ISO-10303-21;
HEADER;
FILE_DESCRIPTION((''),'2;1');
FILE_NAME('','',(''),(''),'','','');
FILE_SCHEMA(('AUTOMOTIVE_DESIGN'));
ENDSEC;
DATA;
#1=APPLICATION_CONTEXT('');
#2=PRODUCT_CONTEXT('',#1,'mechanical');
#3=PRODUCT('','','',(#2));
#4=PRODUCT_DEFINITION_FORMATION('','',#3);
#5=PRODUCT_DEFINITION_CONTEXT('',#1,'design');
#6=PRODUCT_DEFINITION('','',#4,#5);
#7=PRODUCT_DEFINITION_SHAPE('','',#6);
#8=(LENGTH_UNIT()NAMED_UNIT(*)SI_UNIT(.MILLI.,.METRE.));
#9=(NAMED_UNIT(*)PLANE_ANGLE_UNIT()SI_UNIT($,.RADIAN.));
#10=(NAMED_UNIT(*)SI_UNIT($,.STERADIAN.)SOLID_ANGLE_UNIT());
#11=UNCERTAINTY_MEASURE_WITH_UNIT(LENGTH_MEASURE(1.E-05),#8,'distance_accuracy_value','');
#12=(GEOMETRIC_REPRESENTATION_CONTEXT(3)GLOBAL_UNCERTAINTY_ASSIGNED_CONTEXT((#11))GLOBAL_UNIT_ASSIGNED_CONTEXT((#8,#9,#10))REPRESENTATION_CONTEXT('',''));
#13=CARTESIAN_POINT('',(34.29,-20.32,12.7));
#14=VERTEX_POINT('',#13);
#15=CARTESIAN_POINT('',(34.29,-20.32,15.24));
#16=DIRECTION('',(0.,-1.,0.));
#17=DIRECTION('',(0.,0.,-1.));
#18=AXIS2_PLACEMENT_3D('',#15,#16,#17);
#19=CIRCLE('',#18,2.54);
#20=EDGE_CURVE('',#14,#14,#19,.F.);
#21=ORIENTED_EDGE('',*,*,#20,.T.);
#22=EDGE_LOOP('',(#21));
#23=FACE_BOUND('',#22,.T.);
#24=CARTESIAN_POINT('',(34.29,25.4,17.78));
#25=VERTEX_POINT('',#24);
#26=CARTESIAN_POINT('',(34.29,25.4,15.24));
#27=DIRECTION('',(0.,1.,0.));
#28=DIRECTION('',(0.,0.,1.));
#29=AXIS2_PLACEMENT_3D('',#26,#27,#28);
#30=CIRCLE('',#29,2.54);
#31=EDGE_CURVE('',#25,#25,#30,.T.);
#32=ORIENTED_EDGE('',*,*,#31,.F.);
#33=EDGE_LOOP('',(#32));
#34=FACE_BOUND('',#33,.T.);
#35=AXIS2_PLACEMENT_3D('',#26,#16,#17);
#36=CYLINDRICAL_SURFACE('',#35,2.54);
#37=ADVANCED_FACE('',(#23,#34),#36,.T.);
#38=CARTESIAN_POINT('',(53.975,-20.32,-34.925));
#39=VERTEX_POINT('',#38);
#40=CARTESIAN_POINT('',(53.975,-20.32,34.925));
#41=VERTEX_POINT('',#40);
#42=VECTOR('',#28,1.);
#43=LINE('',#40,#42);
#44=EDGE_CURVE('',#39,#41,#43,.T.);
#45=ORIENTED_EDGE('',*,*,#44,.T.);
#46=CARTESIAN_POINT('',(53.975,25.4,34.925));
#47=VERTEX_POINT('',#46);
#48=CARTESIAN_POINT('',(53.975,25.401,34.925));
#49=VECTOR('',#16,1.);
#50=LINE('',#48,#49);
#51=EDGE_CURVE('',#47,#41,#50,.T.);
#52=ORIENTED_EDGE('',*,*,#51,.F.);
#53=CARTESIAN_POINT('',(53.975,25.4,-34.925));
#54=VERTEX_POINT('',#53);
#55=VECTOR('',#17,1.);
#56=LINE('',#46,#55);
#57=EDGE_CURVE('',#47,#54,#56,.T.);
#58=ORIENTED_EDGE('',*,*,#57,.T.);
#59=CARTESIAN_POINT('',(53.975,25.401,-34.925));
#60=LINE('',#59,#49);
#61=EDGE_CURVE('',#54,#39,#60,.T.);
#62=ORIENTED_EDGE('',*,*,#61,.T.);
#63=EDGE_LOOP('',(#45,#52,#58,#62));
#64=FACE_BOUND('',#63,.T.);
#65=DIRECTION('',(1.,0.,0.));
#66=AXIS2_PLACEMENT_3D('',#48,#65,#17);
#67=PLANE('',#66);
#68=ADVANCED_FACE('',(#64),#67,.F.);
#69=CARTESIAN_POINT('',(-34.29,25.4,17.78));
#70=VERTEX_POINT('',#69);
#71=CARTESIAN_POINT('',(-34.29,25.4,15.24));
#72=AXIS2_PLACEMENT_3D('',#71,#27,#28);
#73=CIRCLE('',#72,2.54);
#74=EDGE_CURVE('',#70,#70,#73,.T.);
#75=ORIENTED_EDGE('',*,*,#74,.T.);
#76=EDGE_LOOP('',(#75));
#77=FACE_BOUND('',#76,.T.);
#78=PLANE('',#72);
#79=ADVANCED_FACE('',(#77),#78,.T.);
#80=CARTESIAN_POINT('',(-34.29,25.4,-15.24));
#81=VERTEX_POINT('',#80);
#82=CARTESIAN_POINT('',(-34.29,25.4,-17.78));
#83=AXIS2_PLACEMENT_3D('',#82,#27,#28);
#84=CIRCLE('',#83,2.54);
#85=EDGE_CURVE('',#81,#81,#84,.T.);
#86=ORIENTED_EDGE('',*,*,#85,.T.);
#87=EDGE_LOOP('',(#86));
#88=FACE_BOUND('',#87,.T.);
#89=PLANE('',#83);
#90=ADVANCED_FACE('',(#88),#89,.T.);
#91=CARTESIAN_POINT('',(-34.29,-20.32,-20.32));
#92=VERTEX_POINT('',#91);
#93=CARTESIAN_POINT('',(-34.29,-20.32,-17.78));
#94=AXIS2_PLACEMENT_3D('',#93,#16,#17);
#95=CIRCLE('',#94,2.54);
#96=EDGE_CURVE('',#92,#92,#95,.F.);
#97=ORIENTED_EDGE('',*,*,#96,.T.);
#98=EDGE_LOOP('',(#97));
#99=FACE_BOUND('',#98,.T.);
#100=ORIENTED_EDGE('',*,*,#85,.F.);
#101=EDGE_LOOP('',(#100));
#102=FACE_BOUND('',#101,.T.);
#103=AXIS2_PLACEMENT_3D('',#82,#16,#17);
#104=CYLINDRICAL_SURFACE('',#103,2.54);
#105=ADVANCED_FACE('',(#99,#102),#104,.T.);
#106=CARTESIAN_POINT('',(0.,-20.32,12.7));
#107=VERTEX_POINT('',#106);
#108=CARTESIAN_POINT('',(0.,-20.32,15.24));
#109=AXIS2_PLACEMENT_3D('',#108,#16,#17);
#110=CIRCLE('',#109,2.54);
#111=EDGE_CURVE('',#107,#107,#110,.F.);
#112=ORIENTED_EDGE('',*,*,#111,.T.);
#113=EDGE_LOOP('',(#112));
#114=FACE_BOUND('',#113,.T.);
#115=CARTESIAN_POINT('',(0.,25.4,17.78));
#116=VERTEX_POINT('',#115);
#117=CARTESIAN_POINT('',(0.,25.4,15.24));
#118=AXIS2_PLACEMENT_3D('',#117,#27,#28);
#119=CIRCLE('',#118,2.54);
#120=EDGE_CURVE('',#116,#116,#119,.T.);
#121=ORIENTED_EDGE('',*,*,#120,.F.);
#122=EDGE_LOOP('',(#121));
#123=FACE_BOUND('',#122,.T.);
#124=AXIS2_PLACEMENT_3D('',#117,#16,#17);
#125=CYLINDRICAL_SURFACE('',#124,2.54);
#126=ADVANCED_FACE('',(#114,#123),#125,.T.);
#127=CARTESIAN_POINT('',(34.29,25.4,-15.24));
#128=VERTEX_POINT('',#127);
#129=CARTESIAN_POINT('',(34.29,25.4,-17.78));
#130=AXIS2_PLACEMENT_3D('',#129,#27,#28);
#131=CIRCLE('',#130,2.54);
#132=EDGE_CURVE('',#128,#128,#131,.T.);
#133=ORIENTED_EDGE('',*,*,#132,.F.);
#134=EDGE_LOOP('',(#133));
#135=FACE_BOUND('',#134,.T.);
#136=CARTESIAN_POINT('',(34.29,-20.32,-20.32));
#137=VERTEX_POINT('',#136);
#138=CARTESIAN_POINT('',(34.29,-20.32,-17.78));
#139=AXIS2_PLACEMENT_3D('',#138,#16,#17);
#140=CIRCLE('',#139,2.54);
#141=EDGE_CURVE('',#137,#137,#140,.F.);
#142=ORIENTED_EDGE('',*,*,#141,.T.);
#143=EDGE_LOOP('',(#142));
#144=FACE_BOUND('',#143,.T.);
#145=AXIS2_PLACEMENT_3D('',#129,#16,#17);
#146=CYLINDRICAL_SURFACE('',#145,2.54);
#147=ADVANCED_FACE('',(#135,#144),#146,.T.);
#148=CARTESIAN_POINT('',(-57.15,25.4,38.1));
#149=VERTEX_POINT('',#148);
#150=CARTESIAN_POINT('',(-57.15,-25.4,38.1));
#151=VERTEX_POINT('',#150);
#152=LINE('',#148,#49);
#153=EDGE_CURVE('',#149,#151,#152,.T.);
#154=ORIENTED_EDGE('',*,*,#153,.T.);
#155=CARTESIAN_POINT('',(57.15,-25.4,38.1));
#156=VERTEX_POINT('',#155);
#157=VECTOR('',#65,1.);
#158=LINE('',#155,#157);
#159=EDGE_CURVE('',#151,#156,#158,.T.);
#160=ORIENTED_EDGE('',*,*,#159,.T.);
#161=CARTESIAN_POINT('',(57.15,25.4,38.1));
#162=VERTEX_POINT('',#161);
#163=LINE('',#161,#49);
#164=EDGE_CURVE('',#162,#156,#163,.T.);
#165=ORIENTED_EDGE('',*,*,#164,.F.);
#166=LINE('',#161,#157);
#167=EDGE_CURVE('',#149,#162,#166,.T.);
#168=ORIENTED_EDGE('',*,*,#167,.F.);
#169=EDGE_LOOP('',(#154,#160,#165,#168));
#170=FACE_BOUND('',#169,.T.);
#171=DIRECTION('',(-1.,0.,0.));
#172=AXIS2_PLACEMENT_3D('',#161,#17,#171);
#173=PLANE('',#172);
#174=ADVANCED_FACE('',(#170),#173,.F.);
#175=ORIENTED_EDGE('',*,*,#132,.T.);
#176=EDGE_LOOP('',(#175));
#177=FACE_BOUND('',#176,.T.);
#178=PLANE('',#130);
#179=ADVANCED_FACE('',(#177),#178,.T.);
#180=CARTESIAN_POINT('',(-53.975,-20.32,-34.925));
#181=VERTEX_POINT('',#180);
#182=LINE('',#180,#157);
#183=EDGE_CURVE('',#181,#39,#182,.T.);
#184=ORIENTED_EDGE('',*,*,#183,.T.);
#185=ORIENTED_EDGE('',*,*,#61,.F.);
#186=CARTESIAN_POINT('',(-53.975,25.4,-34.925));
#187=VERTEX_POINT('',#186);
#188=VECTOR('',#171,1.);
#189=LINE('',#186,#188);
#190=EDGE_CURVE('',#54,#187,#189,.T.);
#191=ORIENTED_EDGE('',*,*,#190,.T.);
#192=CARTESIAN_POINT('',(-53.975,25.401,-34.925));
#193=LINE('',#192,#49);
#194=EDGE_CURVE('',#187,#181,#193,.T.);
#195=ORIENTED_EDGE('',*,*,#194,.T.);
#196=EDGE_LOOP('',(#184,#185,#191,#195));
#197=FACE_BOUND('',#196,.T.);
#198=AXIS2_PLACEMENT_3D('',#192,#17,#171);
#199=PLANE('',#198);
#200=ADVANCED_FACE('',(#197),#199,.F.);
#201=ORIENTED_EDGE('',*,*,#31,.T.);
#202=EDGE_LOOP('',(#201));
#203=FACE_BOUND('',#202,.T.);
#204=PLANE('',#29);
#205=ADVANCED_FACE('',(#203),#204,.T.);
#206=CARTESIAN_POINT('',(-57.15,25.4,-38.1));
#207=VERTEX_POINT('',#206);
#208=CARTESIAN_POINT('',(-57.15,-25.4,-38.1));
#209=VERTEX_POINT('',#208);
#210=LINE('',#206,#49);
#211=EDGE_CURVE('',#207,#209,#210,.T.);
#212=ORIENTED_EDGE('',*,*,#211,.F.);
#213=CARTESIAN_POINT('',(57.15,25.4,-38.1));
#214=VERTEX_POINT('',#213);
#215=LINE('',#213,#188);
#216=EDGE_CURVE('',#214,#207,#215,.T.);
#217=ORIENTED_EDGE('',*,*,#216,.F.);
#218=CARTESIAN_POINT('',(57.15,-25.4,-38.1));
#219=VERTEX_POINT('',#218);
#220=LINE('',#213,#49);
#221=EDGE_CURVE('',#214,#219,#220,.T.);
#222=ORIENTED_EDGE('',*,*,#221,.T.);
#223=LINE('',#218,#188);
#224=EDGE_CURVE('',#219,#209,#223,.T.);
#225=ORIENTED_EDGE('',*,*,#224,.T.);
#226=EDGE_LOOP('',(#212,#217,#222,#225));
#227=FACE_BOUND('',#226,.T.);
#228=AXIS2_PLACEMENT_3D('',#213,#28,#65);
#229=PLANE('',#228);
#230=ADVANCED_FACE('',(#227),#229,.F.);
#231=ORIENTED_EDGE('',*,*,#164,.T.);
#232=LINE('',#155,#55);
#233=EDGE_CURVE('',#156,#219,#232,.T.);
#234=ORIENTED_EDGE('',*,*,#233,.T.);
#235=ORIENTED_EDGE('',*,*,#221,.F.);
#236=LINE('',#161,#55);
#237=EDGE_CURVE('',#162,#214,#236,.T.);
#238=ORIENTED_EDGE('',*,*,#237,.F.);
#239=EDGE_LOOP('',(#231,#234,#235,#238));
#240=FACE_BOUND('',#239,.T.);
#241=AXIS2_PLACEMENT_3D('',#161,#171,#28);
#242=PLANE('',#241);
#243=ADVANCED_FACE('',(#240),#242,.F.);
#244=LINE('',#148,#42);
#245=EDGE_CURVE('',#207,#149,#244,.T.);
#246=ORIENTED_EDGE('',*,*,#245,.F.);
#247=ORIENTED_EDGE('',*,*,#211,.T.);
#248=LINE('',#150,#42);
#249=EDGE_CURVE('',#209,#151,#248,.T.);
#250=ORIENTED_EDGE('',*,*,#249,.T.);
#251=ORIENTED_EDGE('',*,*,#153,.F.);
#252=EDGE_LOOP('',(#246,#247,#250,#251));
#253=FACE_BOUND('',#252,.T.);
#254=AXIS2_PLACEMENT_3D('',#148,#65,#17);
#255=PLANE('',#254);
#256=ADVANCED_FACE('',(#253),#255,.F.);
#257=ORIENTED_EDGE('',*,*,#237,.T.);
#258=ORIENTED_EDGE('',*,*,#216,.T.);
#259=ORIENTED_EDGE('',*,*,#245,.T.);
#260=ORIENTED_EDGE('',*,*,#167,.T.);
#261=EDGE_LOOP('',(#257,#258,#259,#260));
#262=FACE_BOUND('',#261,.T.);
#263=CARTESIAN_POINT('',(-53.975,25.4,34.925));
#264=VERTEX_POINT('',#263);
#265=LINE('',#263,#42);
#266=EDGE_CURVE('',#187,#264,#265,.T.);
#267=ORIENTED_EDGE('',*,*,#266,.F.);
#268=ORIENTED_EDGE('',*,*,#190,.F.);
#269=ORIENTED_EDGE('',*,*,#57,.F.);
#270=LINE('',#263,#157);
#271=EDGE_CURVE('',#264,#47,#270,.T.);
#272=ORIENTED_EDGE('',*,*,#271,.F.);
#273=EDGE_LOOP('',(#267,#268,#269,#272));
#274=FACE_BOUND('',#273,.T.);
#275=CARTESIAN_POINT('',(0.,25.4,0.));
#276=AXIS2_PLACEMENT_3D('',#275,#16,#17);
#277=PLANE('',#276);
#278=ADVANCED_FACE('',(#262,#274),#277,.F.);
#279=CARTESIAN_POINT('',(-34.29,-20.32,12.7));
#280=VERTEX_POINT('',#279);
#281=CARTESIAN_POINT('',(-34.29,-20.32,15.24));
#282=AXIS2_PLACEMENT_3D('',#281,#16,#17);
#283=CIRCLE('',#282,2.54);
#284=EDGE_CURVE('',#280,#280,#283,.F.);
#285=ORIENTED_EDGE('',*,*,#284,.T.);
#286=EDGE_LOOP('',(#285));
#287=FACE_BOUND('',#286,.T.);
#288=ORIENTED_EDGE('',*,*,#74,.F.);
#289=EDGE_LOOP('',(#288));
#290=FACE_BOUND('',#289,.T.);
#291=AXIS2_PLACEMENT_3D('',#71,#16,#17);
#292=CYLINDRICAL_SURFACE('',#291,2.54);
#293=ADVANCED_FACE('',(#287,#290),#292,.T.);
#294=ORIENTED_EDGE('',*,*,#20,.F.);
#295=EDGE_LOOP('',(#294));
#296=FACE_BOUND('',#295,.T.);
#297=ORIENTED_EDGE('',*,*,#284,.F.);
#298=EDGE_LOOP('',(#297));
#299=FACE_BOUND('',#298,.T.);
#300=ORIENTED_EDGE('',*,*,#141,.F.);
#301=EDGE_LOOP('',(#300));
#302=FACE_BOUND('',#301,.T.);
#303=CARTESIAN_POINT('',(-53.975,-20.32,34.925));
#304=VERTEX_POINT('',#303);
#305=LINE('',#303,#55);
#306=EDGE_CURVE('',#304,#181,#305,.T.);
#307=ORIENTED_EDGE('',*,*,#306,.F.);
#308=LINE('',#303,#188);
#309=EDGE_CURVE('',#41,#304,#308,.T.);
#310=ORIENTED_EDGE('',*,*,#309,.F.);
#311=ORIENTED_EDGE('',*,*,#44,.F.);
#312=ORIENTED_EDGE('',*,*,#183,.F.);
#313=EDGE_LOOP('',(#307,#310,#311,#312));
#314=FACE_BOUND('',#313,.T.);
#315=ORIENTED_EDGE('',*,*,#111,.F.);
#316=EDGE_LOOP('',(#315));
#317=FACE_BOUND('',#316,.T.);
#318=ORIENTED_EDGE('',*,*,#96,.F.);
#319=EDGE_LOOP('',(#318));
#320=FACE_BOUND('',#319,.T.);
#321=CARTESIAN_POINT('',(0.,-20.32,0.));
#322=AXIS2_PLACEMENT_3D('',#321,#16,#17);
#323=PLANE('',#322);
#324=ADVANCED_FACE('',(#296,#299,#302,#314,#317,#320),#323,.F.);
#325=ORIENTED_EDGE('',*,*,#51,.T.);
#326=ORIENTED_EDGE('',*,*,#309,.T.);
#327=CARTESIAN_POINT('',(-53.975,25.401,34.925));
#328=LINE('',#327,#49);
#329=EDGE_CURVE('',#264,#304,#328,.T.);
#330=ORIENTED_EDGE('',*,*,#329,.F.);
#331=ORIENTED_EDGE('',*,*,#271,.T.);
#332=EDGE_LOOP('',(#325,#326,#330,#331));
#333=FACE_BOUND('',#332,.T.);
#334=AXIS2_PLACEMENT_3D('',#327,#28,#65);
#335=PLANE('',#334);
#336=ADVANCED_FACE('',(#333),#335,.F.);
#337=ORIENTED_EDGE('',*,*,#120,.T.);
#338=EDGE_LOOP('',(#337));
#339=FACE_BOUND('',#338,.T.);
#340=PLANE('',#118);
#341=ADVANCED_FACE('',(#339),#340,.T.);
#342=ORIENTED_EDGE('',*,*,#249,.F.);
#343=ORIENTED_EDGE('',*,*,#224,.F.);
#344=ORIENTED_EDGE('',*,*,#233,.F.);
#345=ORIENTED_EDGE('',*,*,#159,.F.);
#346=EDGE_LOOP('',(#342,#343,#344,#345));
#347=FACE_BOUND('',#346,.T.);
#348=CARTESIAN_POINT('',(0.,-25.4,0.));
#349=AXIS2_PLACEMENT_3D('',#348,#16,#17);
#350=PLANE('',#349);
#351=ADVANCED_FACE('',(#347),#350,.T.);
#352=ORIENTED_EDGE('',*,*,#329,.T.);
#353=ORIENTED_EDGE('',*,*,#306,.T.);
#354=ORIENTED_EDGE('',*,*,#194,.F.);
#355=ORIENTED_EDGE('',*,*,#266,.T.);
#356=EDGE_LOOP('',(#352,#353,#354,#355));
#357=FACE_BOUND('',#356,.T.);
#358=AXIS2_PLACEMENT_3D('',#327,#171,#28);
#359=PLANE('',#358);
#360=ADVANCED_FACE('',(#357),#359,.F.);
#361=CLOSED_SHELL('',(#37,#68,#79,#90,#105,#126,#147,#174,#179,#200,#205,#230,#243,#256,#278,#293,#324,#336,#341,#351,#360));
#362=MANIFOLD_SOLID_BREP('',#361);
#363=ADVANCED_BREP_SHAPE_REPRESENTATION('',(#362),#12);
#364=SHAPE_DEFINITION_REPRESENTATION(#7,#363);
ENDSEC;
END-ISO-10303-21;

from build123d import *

# Parameters (mm, degrees)
SKETCH4_W           = 114.3
SKETCH4_H           = 76.2
BOSS_EXTRUDE2_DEPTH = 25.4
CUT_EXTRUDE1_REACH  = 47.72
SKETCH5_W           = 107.95
SKETCH5_H           = 69.85
SKETCH6_R           = 2.54
BOSS_EXTRUDE3_DEPTH = 25.4


with BuildPart() as part:
    # Sketch4 → Boss-Extrude2 (new body, symmetric)
    with BuildSketch(Plane(origin=(0, 0, 0), x_dir=(1, 0, 0), z_dir=(0, 1, 0))):
        Rectangle(SKETCH4_W, SKETCH4_H)
    extrude(amount=BOSS_EXTRUDE2_DEPTH, both=True)

    # Sketch5 → Cut-Extrude1 (cut, up to next)
    with BuildSketch(Plane(origin=(0, -20.32, 0), x_dir=(-1, 0, 0), z_dir=(0, -1, 0)), mode=Mode.PRIVATE) as cut_extrude1_sk1:
        Rectangle(SKETCH5_W, SKETCH5_H)
    cut_extrude1_tool1 = extrude(cut_extrude1_sk1.sketch, amount=-CUT_EXTRUDE1_REACH, mode=Mode.PRIVATE) & part.part
    add(cut_extrude1_tool1.solids().sort_by_distance((0, -20.32, 0))[0], mode=Mode.SUBTRACT)

    # Sketch6 → Boss-Extrude3 (add, symmetric)
    with BuildSketch(Plane(origin=(0, 0, 0), x_dir=(1, 0, 0), z_dir=(0, 1, 0))):
        with Locations((34.29, 17.78)):
            Circle(SKETCH6_R)
        with Locations((34.29, -15.24)):
            Circle(SKETCH6_R)
        with Locations((0, -15.24)):
            Circle(SKETCH6_R)
        with Locations((-34.29, -15.24)):
            Circle(SKETCH6_R)
        with Locations((-34.29, 17.78)):
            Circle(SKETCH6_R)
    extrude(amount=BOSS_EXTRUDE3_DEPTH, both=True)


solid = part.part
